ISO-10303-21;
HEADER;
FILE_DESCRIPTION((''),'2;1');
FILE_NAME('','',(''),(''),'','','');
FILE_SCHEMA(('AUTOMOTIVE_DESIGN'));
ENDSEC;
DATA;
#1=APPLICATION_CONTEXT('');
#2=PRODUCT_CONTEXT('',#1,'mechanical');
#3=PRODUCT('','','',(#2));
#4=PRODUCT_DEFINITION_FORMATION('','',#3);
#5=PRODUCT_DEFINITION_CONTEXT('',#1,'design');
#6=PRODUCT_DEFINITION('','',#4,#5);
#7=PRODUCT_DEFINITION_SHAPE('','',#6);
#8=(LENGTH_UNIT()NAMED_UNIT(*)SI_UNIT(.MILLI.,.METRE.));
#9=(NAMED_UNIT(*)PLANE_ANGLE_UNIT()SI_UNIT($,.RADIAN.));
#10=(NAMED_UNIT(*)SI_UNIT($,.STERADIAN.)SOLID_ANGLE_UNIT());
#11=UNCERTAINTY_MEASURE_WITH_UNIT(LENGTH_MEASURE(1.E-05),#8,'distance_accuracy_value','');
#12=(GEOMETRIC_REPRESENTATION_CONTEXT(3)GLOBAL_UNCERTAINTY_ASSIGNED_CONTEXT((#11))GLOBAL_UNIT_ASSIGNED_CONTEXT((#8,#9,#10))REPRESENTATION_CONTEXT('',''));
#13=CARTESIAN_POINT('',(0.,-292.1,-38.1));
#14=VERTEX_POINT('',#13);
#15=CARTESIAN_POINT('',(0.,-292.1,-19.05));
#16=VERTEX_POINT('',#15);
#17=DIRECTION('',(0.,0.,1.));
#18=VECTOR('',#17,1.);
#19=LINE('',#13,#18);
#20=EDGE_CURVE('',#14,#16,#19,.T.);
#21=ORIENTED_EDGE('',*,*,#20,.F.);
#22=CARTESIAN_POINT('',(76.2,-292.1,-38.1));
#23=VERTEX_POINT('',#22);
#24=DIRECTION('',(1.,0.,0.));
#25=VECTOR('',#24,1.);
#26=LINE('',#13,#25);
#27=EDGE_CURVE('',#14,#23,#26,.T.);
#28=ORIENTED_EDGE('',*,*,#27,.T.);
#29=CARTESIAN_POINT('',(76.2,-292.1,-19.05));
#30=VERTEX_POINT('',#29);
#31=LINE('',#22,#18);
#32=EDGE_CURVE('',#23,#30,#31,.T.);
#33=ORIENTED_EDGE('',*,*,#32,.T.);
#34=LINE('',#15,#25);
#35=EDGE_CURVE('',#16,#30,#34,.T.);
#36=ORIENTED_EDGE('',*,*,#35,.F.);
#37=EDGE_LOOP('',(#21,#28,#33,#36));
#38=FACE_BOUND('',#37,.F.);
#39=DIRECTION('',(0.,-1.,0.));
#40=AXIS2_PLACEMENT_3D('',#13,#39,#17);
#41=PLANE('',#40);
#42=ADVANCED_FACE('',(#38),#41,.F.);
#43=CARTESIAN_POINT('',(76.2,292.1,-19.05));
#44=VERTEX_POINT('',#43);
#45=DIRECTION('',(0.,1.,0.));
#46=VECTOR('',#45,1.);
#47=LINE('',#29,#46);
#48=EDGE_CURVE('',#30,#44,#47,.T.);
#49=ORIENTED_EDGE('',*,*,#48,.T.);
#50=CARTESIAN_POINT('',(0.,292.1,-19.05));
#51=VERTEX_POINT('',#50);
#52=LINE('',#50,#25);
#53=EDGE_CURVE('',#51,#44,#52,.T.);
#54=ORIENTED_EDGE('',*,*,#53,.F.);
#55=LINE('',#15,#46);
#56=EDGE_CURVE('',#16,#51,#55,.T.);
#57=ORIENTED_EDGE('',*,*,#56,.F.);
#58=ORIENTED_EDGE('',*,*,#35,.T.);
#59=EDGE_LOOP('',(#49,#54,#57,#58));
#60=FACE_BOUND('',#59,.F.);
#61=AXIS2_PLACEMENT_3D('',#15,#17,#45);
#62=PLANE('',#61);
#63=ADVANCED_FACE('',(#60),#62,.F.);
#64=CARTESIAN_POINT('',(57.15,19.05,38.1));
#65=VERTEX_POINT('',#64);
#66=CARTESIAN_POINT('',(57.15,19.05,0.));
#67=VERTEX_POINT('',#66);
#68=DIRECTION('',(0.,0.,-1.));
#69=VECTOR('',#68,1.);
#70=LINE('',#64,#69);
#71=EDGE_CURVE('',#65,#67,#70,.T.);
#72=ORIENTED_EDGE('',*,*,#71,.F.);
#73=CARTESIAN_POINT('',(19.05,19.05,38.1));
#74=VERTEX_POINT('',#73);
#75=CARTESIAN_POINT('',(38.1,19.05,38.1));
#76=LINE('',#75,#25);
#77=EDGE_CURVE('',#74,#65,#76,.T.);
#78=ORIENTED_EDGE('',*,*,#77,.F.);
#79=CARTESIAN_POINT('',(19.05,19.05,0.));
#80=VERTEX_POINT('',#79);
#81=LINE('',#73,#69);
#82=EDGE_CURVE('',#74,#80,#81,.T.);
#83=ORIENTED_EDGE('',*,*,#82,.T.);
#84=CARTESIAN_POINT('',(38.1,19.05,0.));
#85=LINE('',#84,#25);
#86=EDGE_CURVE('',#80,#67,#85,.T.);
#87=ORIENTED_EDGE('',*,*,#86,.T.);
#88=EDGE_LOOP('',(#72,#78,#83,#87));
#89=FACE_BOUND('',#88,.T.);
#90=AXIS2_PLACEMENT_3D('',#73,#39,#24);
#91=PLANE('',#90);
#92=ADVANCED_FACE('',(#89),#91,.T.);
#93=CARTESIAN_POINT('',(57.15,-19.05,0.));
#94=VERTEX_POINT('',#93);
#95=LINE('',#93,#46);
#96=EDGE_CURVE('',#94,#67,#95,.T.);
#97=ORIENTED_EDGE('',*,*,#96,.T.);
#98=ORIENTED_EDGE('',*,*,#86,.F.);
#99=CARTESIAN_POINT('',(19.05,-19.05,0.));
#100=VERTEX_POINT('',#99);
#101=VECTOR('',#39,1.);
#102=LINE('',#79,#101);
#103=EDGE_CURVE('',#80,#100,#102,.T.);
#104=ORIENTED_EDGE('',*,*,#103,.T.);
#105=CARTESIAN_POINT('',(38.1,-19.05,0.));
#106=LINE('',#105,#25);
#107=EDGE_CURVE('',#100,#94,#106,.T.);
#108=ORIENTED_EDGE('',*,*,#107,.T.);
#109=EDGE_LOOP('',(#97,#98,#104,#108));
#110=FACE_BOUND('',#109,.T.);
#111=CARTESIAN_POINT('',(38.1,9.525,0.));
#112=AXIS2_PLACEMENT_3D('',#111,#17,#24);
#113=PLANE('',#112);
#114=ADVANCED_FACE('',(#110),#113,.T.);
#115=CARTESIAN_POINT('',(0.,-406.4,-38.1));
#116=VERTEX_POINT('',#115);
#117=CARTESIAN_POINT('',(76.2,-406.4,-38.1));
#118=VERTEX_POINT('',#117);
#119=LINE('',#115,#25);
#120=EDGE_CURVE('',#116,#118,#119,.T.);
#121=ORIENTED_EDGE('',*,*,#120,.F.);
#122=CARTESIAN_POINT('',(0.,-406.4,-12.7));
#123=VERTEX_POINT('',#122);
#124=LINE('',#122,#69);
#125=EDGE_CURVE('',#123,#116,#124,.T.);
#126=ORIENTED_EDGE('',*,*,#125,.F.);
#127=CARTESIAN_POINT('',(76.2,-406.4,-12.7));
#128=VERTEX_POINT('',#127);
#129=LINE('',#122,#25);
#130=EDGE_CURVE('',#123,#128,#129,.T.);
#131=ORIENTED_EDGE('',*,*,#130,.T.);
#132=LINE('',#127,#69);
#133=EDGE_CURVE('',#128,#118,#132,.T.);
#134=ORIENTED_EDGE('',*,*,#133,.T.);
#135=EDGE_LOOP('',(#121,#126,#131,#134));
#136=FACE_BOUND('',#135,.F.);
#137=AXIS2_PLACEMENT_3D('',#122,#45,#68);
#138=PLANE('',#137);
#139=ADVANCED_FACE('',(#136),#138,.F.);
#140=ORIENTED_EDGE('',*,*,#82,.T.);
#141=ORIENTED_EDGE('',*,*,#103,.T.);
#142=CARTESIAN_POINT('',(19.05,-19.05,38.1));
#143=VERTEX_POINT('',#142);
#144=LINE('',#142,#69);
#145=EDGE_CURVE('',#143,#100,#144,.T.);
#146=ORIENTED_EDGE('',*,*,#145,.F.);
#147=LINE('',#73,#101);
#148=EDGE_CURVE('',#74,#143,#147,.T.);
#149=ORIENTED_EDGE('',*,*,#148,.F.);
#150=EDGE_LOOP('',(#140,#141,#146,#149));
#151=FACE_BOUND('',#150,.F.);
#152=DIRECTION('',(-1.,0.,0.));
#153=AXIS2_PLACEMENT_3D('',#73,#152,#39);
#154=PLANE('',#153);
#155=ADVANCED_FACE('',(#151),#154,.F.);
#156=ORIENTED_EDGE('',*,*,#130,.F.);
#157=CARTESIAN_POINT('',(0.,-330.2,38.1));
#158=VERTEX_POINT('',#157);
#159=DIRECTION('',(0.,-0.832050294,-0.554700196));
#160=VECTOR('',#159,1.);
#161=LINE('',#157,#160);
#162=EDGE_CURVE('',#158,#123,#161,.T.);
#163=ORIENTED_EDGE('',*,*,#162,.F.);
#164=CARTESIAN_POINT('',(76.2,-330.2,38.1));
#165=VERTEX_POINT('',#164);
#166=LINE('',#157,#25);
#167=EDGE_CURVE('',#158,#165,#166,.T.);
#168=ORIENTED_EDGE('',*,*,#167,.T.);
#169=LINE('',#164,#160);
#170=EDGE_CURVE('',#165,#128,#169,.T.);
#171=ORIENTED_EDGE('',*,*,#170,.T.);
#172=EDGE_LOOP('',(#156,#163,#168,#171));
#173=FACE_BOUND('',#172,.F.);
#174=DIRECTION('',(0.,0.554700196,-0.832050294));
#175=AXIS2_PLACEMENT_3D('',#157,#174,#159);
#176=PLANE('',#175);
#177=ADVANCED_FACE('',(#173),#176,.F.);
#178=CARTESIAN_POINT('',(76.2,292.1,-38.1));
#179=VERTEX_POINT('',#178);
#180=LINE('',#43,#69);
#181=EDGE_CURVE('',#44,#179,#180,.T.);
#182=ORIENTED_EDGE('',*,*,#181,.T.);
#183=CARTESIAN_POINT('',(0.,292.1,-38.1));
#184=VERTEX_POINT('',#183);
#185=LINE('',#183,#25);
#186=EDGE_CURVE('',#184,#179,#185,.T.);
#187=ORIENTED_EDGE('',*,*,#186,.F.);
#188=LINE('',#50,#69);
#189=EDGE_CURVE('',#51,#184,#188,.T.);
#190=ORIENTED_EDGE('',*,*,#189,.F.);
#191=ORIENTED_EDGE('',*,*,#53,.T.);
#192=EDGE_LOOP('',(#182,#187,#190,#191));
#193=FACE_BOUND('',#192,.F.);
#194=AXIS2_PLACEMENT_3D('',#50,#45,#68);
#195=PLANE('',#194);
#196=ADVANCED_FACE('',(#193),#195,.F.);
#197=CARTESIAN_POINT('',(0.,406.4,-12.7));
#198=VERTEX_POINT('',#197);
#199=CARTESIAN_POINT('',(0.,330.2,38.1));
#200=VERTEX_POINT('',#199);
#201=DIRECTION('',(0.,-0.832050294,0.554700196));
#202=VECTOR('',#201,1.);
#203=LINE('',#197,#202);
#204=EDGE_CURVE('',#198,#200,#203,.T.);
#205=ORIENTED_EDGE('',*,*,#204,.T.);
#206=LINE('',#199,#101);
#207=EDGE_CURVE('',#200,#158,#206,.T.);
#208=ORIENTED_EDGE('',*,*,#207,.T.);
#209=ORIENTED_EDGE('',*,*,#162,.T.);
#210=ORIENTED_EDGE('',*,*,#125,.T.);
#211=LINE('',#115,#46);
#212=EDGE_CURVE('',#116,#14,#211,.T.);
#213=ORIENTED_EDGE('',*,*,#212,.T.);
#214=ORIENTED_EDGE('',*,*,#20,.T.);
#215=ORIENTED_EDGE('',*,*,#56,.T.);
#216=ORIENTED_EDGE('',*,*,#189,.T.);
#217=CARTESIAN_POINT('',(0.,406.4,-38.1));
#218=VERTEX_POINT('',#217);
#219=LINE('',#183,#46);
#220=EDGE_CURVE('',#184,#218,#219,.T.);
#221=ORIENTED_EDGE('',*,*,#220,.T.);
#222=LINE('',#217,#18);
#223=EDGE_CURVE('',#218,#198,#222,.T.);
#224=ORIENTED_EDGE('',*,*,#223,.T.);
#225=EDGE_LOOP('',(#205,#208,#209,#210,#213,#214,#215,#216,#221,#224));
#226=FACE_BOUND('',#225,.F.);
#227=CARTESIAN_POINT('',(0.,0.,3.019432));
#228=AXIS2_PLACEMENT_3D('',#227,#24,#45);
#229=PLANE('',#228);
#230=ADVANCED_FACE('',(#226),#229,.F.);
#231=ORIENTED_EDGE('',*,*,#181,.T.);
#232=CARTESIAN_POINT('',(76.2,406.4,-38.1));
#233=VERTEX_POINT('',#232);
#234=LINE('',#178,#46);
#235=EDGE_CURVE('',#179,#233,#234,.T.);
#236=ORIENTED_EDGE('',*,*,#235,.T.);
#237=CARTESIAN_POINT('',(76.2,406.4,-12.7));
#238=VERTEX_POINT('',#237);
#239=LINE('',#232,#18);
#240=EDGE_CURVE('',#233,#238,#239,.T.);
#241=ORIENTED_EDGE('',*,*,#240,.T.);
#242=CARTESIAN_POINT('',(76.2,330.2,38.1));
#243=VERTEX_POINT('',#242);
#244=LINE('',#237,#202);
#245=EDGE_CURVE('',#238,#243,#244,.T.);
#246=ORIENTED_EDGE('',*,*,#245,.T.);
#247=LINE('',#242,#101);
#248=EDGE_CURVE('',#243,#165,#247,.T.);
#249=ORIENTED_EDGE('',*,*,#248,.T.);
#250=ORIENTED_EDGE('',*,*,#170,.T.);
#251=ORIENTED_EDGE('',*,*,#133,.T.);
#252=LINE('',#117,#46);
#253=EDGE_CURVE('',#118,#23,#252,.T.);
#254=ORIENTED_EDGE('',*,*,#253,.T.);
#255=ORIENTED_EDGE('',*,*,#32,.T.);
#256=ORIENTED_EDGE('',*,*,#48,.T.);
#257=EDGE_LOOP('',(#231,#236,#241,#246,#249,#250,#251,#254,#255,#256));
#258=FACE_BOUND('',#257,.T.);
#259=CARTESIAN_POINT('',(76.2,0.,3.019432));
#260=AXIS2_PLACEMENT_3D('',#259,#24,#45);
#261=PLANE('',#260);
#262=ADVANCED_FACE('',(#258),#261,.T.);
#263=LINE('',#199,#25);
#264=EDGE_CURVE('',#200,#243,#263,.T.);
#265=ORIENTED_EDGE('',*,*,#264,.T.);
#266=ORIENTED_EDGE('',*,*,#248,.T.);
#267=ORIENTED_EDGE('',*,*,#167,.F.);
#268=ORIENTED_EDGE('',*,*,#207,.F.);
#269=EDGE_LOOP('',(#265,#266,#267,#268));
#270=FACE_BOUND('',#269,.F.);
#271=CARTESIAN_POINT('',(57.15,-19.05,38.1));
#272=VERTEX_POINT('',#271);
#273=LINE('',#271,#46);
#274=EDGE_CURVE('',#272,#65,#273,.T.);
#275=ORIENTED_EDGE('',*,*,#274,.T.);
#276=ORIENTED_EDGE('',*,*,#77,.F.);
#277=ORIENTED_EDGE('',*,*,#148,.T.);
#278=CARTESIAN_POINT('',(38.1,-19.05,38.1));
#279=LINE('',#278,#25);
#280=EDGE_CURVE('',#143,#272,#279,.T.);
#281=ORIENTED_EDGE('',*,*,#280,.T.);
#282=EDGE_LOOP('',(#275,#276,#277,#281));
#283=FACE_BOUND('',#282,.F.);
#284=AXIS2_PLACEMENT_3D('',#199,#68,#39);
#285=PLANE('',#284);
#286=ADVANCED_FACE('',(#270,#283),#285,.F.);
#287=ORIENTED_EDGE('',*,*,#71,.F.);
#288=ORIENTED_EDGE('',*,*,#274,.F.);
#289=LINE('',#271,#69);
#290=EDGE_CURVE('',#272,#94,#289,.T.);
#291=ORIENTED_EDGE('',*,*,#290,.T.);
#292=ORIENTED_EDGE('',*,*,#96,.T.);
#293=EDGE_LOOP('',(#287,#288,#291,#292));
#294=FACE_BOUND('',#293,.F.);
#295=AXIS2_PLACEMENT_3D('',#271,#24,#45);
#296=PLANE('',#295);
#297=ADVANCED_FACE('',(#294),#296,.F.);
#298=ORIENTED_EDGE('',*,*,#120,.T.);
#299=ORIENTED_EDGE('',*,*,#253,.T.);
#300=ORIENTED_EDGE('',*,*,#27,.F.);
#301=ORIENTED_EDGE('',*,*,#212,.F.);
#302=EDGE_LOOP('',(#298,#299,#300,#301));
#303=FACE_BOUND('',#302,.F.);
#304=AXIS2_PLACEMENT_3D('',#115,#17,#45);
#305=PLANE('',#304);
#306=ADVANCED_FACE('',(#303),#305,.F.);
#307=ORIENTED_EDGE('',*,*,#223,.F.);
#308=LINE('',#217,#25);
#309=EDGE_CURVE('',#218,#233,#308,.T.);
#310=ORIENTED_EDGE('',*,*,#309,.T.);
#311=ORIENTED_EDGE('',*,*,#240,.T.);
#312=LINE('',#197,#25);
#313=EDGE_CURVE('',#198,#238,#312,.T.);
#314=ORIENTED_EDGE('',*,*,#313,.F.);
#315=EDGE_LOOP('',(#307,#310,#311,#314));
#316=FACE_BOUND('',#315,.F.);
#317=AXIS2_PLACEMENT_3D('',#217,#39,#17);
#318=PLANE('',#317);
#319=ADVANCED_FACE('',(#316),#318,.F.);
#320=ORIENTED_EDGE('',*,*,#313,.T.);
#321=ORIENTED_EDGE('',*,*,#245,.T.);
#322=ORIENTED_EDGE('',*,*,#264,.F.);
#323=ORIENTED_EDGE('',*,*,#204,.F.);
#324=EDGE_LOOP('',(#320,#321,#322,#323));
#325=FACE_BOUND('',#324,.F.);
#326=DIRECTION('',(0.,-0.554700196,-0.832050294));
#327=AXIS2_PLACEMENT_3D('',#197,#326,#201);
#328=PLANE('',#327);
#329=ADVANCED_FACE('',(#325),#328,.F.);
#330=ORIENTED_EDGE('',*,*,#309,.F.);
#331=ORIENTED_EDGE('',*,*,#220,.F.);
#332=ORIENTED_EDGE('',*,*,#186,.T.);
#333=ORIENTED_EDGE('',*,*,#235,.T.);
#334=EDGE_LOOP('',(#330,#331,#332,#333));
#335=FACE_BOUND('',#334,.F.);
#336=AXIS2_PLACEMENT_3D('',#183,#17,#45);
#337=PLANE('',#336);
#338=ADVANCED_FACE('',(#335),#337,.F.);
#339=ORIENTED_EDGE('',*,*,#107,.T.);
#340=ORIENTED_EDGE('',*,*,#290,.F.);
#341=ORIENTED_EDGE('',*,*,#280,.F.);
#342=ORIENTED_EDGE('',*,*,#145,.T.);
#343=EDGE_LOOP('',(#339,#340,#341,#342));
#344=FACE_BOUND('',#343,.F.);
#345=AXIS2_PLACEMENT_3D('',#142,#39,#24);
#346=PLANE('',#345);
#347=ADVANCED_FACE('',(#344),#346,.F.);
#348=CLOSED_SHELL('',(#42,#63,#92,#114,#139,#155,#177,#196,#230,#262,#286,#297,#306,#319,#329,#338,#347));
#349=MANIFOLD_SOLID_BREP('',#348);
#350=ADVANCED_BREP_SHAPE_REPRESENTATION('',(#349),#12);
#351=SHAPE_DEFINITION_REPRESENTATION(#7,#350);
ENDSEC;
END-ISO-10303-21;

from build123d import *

# Parameters (mm, degrees)
F1_DEPTH = 76.2
F2_W     = 38.1
F2_H     = 19.05
F3_DEPTH = 38.1


with BuildPart() as f1:
    # F0 (on Right) → F1 (new body)
    with BuildSketch(Plane.YZ):
        Polygon((406.4, -12.7), (330.2, 38.1), (-330.2, 38.1), (-406.4, -12.7), (-406.4, -38.1), (-292.1, -38.1), (-292.1, -19.05), (292.1, -19.05), (292.1, -38.1), (406.4, -38.1), align=None)
    extrude(amount=F1_DEPTH)

    # F2 (on face) → F3 (cut)
    with BuildSketch(Plane.XY.offset(38.1)):
        with Locations((38.1, 9.525)):
            Rectangle(F2_W, F2_H)
        with Locations((38.1, -9.525)):
            Rectangle(F2_W, F2_H)
    extrude(amount=-F3_DEPTH, mode=Mode.SUBTRACT)


solid = f1.part
